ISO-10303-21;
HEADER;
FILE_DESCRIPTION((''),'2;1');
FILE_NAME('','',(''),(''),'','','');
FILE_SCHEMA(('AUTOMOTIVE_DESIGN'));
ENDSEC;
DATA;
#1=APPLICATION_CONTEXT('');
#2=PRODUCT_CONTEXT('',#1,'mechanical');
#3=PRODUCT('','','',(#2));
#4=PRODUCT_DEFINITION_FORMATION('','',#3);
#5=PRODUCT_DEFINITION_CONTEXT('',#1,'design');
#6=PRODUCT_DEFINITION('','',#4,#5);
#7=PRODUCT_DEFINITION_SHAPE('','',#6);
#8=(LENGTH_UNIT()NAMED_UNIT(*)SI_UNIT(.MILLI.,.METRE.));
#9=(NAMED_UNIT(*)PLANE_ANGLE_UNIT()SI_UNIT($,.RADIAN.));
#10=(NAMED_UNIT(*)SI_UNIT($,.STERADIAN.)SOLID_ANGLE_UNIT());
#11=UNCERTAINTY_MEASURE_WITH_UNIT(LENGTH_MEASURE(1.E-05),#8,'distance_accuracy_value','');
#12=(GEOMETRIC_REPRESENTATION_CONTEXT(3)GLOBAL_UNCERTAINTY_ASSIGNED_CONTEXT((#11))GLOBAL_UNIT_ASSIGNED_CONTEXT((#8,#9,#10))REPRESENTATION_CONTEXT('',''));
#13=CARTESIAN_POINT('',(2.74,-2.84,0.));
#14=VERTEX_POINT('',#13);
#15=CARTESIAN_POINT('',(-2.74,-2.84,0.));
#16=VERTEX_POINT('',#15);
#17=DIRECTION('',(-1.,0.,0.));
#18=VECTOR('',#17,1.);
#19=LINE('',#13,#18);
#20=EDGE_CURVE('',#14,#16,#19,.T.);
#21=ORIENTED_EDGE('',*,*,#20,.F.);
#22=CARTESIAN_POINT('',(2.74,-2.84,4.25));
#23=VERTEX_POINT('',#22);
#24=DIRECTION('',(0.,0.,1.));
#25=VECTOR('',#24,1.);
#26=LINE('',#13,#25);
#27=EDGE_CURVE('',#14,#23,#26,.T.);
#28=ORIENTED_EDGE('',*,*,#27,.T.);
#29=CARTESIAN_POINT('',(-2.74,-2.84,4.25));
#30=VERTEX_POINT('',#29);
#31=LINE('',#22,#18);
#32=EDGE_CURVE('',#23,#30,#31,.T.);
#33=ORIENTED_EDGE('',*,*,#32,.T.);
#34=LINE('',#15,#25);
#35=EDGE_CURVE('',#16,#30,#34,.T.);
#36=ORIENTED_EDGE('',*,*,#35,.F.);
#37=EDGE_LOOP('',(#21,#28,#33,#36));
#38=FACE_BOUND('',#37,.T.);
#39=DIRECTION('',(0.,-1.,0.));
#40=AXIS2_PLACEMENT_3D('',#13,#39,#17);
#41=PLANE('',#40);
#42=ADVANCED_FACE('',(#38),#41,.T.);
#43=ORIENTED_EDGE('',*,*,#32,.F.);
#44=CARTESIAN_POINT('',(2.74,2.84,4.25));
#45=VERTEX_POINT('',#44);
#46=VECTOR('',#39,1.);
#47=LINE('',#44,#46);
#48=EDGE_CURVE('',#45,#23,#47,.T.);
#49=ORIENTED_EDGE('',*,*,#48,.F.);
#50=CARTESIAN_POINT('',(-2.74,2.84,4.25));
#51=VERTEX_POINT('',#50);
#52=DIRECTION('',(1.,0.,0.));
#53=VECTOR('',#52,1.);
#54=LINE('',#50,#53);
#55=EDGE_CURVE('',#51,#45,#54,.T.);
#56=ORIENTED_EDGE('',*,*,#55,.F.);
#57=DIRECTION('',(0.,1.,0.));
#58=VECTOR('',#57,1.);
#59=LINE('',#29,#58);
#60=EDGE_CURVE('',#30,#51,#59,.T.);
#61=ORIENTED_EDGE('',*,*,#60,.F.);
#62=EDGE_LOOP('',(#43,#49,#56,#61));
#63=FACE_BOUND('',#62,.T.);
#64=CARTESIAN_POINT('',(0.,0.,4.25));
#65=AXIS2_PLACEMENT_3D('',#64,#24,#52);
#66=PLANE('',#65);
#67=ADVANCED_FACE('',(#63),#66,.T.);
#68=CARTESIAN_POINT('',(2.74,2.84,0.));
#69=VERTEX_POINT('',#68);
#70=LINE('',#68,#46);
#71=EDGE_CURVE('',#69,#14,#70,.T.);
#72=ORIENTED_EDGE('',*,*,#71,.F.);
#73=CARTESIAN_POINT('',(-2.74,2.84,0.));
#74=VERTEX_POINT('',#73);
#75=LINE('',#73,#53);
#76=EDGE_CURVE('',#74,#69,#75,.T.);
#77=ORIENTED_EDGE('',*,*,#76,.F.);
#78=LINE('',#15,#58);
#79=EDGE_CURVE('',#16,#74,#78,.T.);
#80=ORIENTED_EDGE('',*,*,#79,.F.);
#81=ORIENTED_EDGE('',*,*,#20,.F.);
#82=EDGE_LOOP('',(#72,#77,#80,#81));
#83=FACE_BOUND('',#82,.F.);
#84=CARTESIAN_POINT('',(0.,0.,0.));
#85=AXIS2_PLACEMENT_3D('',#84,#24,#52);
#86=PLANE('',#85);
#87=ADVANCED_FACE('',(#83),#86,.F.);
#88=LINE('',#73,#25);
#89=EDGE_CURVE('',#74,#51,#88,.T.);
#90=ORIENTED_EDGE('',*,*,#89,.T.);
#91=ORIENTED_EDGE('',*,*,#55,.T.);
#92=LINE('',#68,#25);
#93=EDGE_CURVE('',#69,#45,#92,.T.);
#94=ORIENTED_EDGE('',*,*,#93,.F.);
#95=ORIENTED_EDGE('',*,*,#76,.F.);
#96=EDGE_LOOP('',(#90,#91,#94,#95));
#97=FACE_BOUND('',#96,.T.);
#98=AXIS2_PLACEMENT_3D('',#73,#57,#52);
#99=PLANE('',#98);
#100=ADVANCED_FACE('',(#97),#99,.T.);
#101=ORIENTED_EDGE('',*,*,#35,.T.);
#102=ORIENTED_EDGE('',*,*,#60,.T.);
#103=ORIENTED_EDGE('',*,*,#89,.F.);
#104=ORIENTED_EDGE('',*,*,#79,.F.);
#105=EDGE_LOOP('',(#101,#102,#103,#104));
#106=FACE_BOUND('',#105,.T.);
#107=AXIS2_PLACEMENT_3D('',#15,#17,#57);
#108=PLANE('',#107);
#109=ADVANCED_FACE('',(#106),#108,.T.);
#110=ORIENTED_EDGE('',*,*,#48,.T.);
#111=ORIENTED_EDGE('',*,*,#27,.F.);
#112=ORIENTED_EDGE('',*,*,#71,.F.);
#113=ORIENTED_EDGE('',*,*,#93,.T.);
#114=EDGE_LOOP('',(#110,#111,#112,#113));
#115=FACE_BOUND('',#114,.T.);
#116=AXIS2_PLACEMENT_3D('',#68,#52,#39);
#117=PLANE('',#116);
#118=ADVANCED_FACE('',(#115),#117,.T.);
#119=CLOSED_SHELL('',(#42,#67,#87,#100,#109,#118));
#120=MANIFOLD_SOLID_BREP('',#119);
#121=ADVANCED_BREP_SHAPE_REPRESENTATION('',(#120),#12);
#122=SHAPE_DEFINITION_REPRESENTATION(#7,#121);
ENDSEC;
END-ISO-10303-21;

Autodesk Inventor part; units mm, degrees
ref_plane "YZ Plane" through (0, 0, 0) normal (1, 0, 0) x (0, 1, 0)
ref_plane "XZ Plane" through (0, 0, 0) normal (0, 1, 0) x (-1, 0, 0)
ref_plane "XY Plane" through (0, 0, 0) normal (0, 0, 1) x (1, 0, 0)
sketch "XAL50XX-153, XAL5050-153MED_59" plane through (0, 0, 0) normal (0, 0, 1) x (1, 0, 0)
  line L0 (2.74, 2.84) -> (2.74, -2.84)
  line L1 (2.74, -2.84) -> (-2.74, -2.84)
  line L2 (-2.74, -2.84) -> (-2.74, 2.84)
  line L3 (-2.74, 2.84) -> (2.74, 2.84)
extrude "Extrusion1" add sketch "XAL50XX-153, XAL5050-153MED_59" along normal blind 4.25
properties part number "XAL5050-153MED"
